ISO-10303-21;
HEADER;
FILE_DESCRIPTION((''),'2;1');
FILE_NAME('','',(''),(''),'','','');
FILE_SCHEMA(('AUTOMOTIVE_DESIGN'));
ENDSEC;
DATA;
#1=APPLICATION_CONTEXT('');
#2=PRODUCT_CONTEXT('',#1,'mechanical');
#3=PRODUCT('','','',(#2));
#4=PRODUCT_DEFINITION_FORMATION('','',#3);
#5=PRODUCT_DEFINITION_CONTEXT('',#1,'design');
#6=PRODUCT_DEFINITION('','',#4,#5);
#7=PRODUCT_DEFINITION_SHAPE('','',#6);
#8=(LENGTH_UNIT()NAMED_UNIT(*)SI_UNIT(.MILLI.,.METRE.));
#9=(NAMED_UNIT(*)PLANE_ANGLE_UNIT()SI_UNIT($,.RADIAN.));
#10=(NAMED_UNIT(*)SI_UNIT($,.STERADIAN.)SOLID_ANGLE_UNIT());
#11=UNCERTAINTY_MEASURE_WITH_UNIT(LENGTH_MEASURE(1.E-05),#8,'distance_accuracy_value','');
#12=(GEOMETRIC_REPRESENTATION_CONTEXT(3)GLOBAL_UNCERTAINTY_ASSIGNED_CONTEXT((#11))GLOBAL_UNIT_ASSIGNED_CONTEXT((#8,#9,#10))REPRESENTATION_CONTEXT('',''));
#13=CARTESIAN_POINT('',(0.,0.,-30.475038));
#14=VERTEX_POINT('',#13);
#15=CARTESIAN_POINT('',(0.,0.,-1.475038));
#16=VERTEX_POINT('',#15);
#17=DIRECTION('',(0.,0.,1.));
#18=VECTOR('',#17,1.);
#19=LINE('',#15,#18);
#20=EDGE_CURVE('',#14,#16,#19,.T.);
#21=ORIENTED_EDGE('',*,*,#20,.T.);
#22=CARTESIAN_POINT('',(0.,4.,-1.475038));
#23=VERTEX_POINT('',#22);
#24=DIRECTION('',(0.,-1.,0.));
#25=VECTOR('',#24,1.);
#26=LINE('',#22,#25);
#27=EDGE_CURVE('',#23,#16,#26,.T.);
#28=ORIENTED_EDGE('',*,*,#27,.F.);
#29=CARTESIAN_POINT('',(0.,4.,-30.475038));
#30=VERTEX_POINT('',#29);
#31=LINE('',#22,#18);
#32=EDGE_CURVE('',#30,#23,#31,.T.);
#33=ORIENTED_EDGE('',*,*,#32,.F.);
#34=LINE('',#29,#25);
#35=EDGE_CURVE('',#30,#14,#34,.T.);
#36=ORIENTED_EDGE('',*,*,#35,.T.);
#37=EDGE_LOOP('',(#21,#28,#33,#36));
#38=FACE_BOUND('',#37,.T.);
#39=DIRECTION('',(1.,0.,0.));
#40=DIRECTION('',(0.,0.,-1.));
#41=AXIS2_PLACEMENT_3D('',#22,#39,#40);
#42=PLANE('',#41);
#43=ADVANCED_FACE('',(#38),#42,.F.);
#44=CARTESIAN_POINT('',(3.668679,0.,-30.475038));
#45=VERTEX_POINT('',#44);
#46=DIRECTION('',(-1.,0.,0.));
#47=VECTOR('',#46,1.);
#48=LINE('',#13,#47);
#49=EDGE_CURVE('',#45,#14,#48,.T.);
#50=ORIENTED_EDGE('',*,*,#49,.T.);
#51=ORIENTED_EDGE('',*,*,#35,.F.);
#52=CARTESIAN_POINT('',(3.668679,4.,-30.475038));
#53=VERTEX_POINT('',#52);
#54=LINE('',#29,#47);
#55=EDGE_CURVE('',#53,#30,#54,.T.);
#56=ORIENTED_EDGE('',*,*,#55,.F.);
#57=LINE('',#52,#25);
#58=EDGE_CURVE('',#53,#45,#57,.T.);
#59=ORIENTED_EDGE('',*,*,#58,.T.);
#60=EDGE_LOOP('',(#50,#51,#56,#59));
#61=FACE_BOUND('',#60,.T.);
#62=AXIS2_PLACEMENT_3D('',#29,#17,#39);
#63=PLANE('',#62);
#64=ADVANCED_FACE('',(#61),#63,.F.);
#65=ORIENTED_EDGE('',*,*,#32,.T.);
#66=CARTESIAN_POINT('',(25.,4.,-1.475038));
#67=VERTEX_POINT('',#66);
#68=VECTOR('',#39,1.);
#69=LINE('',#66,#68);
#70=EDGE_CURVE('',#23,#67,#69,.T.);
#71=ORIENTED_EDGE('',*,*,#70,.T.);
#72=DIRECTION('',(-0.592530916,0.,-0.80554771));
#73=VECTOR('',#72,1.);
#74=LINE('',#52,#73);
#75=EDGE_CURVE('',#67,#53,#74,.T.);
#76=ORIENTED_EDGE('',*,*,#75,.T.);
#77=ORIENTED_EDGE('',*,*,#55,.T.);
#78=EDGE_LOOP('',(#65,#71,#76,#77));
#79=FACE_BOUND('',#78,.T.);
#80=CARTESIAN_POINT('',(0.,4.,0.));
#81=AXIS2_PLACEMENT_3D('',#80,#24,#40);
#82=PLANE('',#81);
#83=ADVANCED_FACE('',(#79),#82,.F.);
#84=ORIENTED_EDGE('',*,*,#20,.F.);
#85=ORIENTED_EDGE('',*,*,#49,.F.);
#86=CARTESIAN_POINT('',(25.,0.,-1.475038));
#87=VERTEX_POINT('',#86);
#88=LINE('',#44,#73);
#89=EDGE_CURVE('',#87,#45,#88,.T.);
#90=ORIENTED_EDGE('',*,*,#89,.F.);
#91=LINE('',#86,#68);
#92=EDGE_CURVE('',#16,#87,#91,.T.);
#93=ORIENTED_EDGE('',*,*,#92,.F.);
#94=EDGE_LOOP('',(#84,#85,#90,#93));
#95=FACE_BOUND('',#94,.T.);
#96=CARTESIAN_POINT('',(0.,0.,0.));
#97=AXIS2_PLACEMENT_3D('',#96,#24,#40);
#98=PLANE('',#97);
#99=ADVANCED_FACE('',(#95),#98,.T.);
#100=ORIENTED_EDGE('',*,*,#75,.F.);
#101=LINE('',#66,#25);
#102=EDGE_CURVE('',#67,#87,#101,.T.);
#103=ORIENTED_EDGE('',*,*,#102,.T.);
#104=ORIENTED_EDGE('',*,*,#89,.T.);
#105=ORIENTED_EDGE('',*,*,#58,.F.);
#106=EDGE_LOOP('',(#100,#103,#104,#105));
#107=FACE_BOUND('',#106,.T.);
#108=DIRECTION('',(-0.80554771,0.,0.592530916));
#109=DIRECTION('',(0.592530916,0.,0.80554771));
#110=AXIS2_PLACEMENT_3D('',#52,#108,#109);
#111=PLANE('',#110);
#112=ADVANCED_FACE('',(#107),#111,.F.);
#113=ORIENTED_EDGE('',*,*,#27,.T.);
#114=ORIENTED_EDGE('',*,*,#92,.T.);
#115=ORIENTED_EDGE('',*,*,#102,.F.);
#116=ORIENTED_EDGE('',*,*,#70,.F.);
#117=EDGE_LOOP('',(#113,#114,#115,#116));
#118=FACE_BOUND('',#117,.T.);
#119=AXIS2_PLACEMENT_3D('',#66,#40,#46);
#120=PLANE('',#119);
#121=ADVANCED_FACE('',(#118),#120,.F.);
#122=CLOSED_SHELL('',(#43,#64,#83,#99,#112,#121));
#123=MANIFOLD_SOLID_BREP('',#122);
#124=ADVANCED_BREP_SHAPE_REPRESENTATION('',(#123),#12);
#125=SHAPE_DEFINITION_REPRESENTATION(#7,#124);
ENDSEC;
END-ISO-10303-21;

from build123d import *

# Parameters (mm, degrees)
EXTRUDE_1_DEPTH = 4


with BuildPart() as part:
    # Эскиз1 → Бобышка-Вытянуть1 (new body)
    with BuildSketch(Plane(origin=(0, 0, 0), x_dir=(1, 0, 0), z_dir=(0, 1, 0))):
        Polygon((0, 1.475038137), (0, 30.475038137), (3.668679253, 30.475038137), (25, 1.475038137), align=None)
    extrude(amount=EXTRUDE_1_DEPTH)


solid = part.part
